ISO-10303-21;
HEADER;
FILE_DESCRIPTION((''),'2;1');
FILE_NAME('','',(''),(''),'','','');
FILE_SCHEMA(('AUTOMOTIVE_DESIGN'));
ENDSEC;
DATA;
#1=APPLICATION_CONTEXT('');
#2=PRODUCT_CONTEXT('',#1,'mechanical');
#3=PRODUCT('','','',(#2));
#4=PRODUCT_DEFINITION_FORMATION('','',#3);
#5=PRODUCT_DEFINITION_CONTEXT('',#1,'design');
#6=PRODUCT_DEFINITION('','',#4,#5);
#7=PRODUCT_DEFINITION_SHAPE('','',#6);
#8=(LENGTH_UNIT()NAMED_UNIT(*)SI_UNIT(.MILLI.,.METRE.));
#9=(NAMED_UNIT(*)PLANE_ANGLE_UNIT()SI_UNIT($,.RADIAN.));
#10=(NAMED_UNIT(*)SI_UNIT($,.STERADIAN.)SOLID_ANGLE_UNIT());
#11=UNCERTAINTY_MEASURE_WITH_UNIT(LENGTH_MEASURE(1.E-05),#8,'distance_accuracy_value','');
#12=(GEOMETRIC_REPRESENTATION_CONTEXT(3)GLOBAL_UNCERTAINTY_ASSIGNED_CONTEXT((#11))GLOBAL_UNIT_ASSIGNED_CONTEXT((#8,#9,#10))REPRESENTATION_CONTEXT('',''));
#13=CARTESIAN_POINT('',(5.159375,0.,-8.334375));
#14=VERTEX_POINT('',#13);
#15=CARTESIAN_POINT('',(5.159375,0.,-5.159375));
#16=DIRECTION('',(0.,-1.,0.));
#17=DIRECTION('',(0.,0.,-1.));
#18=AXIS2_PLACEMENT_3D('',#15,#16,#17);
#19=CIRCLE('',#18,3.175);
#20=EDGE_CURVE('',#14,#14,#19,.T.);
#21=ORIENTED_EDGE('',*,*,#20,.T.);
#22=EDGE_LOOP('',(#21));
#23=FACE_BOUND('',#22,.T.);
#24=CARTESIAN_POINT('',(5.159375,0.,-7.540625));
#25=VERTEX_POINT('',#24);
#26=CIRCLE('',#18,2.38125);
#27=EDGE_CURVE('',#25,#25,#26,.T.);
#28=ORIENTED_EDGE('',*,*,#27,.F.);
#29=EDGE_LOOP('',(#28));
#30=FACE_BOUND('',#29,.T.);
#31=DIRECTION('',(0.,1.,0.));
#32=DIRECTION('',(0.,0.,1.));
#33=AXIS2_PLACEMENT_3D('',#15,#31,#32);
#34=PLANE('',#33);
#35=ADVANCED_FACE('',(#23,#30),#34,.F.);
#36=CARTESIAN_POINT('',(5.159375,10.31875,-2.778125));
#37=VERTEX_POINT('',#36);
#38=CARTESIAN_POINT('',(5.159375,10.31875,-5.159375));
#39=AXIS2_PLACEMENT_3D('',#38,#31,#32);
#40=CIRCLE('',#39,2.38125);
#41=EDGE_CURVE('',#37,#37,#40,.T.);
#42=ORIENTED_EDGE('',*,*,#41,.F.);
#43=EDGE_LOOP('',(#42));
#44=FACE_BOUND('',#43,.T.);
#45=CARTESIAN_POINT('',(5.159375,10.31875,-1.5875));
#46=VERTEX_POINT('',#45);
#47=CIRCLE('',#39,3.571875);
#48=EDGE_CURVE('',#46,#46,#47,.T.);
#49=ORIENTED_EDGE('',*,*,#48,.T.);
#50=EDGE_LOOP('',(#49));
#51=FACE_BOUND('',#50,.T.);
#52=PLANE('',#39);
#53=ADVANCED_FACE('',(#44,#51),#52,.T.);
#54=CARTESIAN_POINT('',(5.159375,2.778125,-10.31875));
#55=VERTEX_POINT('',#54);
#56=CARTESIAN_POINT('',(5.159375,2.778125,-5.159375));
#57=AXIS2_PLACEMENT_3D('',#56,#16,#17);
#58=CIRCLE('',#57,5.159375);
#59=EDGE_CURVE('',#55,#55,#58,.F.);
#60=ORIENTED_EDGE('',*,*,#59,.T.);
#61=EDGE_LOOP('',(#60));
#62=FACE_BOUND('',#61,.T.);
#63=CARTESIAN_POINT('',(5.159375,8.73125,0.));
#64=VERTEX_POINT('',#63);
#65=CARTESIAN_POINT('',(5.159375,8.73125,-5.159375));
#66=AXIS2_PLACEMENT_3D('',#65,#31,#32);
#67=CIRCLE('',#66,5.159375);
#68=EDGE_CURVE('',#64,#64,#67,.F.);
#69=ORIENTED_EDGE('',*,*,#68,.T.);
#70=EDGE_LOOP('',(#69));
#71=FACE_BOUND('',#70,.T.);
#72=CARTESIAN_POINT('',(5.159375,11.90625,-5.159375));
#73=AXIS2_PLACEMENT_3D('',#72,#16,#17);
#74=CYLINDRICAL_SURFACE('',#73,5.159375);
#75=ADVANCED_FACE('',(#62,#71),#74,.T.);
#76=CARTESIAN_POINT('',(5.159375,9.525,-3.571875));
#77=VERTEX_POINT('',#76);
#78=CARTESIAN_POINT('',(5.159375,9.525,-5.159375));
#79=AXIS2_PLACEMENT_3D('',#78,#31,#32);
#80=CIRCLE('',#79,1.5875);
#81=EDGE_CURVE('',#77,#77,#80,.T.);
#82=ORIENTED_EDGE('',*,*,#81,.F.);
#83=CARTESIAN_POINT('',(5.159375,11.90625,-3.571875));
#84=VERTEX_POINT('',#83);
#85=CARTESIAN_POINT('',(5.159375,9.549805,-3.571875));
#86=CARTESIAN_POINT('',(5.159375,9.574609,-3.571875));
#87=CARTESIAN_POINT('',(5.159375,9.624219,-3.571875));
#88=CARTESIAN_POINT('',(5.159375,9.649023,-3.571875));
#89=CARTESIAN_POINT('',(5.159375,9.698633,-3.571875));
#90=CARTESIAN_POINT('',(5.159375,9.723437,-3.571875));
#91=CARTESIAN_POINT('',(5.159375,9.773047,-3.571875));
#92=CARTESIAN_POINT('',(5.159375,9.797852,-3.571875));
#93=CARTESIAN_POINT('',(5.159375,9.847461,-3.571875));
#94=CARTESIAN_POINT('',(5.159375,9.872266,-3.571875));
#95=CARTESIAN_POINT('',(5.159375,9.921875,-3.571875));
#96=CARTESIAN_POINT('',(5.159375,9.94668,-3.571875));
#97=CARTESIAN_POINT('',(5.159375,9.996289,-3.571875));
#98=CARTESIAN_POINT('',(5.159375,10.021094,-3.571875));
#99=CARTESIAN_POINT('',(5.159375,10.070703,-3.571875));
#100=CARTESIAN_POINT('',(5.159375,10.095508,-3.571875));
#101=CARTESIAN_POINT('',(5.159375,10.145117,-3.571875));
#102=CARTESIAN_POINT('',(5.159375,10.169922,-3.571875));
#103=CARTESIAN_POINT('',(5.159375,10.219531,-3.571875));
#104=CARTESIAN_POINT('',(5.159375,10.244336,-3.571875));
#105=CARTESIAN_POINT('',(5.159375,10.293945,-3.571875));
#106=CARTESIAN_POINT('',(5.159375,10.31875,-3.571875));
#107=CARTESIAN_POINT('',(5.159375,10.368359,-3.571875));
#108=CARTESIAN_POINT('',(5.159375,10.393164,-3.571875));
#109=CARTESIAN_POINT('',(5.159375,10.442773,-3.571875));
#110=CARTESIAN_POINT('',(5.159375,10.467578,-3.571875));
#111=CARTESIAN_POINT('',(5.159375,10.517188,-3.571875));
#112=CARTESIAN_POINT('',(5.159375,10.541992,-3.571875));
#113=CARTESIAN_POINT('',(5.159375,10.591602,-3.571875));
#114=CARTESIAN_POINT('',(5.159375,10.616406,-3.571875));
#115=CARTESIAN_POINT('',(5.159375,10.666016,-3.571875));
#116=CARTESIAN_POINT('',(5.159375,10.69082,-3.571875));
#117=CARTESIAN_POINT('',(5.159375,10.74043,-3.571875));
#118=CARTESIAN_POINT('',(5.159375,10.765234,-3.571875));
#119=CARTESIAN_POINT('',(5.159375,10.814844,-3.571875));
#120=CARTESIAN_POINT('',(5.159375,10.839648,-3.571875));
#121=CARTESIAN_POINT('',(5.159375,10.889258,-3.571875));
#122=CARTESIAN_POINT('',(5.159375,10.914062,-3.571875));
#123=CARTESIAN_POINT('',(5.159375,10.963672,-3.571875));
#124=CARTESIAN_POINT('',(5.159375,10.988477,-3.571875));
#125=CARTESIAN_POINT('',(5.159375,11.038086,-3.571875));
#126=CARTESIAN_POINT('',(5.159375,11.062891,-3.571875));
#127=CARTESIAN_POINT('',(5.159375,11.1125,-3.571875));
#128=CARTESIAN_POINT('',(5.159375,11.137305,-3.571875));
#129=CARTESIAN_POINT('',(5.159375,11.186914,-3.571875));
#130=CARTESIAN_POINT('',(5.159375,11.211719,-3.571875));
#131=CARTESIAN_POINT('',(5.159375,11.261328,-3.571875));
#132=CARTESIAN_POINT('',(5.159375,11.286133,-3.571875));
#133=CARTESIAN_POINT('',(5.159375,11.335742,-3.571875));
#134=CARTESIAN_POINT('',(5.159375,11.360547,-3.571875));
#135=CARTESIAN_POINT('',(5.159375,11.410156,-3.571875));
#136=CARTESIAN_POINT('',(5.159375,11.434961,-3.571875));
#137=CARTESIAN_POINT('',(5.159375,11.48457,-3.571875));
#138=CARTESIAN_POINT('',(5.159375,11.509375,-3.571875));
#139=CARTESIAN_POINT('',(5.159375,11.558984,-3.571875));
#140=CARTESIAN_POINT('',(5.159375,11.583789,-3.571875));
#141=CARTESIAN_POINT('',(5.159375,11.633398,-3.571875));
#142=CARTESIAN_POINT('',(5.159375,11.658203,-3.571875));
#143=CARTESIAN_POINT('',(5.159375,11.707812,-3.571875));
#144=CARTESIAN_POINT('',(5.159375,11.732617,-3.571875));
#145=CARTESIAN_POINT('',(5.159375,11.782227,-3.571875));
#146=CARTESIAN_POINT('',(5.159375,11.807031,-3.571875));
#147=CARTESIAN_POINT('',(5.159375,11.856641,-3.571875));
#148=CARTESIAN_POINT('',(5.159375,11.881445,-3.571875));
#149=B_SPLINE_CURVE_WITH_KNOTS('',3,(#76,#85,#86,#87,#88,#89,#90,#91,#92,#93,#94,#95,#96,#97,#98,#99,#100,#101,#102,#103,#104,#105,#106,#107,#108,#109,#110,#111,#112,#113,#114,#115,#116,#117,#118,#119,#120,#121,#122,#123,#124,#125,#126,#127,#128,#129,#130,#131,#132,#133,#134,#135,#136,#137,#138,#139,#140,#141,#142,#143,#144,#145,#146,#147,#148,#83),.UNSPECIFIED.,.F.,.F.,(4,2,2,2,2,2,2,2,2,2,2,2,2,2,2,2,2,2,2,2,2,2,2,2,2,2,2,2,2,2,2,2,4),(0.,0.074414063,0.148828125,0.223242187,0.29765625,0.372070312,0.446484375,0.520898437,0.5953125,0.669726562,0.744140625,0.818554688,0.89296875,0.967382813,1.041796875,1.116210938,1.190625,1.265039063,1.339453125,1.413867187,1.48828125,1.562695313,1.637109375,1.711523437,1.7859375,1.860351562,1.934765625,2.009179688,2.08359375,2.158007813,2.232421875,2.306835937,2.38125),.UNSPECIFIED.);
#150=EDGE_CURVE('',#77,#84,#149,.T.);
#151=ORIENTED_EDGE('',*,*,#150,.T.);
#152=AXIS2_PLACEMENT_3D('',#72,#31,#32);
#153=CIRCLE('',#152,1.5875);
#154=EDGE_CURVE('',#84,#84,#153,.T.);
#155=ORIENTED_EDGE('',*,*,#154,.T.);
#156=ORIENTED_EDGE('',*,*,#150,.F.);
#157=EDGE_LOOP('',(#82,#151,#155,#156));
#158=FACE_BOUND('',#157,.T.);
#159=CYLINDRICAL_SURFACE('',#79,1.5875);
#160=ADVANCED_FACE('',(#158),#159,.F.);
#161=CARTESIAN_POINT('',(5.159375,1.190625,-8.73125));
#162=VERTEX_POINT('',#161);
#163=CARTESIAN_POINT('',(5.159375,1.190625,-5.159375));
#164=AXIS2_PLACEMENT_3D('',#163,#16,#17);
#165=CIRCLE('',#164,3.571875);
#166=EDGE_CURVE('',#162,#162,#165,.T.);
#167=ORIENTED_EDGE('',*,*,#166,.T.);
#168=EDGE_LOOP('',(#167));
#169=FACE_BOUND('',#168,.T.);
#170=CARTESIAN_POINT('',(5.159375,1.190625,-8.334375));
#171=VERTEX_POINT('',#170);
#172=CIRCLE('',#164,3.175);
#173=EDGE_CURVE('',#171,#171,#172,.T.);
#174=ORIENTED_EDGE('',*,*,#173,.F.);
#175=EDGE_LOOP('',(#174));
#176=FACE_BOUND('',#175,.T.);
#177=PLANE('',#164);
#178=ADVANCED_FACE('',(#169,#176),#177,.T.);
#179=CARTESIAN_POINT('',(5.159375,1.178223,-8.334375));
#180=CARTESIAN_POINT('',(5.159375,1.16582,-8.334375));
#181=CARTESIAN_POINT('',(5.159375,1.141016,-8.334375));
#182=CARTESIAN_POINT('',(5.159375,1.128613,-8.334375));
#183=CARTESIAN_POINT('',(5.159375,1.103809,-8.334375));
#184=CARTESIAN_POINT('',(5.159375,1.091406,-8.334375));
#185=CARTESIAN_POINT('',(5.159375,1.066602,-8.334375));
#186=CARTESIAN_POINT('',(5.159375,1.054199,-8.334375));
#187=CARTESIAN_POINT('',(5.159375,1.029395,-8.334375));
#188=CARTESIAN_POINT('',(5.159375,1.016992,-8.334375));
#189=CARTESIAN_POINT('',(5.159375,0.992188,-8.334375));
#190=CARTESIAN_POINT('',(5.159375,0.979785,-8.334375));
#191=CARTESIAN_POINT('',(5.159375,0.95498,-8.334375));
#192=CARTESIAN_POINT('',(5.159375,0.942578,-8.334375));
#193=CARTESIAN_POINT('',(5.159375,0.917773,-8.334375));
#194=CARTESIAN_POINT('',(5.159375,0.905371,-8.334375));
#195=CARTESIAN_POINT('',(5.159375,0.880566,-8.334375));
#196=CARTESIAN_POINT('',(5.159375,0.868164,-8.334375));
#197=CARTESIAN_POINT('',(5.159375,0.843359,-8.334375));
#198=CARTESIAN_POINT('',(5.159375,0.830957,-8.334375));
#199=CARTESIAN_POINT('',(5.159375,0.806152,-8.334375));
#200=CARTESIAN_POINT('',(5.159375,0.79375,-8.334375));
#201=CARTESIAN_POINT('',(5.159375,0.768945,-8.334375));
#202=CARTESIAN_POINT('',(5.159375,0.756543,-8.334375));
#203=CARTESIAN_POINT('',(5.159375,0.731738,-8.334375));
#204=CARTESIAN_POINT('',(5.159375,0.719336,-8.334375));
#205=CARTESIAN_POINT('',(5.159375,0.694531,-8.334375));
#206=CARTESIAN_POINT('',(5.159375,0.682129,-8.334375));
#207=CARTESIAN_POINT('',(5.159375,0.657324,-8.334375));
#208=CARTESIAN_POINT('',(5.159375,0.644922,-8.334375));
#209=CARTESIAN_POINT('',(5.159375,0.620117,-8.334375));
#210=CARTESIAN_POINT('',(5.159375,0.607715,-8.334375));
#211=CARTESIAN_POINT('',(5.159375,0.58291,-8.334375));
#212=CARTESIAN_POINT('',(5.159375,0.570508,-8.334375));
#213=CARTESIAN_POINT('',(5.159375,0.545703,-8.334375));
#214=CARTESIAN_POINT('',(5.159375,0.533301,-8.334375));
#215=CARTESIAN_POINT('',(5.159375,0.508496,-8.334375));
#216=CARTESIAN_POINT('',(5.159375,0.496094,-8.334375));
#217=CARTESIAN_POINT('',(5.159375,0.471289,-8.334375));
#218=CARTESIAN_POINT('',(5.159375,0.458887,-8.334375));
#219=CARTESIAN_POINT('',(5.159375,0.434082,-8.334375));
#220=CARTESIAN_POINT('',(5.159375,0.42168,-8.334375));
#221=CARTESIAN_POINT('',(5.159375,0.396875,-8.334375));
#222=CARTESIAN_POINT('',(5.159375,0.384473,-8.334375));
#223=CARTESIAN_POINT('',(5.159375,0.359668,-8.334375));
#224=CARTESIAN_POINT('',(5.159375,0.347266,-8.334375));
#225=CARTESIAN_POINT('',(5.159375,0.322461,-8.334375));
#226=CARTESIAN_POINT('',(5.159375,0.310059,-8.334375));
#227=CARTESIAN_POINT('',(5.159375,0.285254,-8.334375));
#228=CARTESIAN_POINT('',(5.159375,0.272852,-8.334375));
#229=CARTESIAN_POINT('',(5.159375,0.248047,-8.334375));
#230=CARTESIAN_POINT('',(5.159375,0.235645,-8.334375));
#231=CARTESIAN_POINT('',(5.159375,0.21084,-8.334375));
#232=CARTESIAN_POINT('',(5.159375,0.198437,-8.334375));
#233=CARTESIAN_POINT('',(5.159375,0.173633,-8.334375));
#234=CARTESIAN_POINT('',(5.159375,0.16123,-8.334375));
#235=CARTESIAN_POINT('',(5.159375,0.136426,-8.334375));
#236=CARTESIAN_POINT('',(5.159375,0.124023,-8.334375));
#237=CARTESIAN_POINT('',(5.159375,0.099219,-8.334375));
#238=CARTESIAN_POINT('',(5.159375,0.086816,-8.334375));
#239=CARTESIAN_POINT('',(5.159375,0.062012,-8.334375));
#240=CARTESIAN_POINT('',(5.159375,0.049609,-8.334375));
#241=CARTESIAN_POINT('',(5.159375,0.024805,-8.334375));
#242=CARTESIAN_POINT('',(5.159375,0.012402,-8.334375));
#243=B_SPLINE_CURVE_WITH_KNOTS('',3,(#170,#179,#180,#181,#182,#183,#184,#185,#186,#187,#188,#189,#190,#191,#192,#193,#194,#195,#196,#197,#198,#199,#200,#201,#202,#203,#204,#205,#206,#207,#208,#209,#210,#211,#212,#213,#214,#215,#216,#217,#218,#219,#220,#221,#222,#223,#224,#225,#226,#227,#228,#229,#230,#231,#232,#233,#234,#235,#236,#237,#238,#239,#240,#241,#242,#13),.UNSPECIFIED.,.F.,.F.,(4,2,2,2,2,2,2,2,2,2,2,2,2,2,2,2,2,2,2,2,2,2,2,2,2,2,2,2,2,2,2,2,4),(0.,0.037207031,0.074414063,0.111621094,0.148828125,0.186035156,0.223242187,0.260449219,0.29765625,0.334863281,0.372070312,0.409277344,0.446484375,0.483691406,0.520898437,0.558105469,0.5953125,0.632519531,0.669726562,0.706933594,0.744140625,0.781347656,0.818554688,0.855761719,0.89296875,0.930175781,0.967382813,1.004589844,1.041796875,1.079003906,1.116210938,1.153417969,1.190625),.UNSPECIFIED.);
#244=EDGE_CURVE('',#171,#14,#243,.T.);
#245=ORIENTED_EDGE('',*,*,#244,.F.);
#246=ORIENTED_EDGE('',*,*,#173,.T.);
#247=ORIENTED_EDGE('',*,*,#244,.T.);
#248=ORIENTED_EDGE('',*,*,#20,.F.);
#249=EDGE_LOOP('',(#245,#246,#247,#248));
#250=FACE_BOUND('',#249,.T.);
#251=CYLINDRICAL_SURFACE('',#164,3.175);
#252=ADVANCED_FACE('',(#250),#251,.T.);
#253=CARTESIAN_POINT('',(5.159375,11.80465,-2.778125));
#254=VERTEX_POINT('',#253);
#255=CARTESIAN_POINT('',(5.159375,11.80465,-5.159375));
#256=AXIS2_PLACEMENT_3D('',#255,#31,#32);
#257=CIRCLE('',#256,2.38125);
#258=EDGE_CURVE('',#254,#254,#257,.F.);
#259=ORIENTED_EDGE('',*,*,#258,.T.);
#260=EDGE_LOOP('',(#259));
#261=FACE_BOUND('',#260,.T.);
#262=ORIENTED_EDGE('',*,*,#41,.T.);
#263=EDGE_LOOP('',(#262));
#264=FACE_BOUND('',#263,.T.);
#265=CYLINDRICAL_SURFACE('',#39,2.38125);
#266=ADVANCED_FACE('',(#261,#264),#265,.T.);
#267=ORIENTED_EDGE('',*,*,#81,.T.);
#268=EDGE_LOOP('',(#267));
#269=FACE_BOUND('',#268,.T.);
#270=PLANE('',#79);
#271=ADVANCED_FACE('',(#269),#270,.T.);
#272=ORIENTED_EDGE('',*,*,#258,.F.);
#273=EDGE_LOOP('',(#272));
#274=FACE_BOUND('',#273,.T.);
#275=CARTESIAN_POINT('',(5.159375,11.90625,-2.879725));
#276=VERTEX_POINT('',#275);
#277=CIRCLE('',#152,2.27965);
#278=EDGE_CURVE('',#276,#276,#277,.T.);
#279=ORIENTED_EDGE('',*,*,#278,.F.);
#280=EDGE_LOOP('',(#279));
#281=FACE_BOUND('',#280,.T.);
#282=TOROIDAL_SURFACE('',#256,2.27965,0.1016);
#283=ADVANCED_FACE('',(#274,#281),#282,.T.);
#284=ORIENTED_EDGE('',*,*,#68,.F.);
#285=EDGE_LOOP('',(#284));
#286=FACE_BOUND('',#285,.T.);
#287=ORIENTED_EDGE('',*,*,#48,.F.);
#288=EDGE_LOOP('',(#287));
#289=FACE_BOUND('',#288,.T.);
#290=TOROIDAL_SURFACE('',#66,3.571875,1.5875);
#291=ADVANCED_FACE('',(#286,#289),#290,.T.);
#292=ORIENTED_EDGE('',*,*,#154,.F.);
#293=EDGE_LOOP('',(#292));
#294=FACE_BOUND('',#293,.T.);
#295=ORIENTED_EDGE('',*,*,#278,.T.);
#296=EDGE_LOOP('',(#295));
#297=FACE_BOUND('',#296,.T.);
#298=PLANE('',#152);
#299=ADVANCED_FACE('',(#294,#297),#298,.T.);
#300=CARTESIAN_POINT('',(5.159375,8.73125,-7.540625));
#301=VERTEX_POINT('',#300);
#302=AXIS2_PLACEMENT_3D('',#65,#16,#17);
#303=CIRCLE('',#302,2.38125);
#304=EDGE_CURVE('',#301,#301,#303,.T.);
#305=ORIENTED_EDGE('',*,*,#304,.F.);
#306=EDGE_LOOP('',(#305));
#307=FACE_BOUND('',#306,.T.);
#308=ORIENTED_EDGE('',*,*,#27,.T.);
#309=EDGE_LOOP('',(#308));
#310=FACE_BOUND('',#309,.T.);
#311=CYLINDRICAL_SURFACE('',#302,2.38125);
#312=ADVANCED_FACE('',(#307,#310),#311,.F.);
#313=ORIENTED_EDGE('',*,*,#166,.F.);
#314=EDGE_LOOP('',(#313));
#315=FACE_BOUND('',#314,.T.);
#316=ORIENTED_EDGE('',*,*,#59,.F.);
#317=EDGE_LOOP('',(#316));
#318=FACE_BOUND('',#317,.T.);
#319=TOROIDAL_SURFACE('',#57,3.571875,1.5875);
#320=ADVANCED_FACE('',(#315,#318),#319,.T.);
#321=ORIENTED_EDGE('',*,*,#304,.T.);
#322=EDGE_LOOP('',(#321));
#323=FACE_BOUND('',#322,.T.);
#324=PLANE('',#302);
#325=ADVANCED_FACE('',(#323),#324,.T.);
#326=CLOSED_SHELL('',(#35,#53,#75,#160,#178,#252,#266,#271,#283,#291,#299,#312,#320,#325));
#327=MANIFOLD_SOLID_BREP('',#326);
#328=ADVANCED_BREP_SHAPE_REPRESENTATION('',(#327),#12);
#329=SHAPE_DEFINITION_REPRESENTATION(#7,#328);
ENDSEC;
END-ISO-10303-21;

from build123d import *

# Parameters (mm, degrees)
SKETCH2_R           = 5.159375
BOSS_EXTRUDE2_DEPTH = 11.90625
CUT_EXTRUDE1_START  = -1.5875
SKETCH3_R           = 5.159375
SKETCH3_R_2         = 2.38125
CUT_EXTRUDE1_DEPTH  = 1.5875
SKETCH4_R           = 5.159375
SKETCH4_R_2         = 3.175
CUT_EXTRUDE2_DEPTH  = 1.190625
SKETCH5_R           = 2.38125
CUT_EXTRUDE3_DEPTH  = 8.73125
SKETCH6_R           = 1.5875
CUT_EXTRUDE4_DEPTH  = 2.38125
FILLET1_R           = 1.5875
FILLET3_R           = 0.1016


with BuildPart() as part:
    # Sketch2 → Boss-Extrude2 (new body)
    with BuildSketch(Plane(origin=(0, 0, 0), x_dir=(1, 0, 0), z_dir=(0, 1, 0))):
        with Locations(Location((5.159375, 5.159375, 0), (0, 0, 270))):
            Circle(SKETCH2_R)
    extrude(amount=BOSS_EXTRUDE2_DEPTH)

    # Sketch3 → Cut-Extrude1 (cut)
    with BuildSketch(Plane(origin=(0, 11.90625, 0), x_dir=(1, 0, 0), z_dir=(0, 1, 0)).offset(CUT_EXTRUDE1_START)):
        with Locations(Location((5.159375, 5.159375, 0), (0, 0, 270))):
            Circle(SKETCH3_R)
        with Locations(Location((5.159375, 5.159375, 0), (0, 0, 270))):
            Circle(SKETCH3_R_2, mode=Mode.SUBTRACT)
    extrude(amount=CUT_EXTRUDE1_DEPTH, mode=Mode.SUBTRACT)

    # Sketch4 → Cut-Extrude2 (cut)
    with BuildSketch(Plane.XZ):
        with Locations(Location((5.159375, -5.159375, 0), (0, 0, 270))):
            Circle(SKETCH4_R)
        with Locations(Location((5.159375, -5.159375, 0), (0, 0, 270))):
            Circle(SKETCH4_R_2, mode=Mode.SUBTRACT)
    extrude(amount=-CUT_EXTRUDE2_DEPTH, mode=Mode.SUBTRACT)

    # Sketch5 → Cut-Extrude3 (cut)
    with BuildSketch(Plane.XZ):
        with Locations(Location((5.159375, -5.159375, 0), (0, 0, 90))):
            Circle(SKETCH5_R)
    extrude(amount=-CUT_EXTRUDE3_DEPTH, mode=Mode.SUBTRACT)

    # Sketch6 → Cut-Extrude4 (cut)
    with BuildSketch(Plane(origin=(0, 11.90625, 0), x_dir=(1, 0, 0), z_dir=(0, 1, 0))):
        with Locations(Location((5.159375, 5.159375, 0), (0, 0, 270))):
            Circle(SKETCH6_R)
    extrude(amount=-CUT_EXTRUDE4_DEPTH, mode=Mode.SUBTRACT)

    # Fillet1
    fillet1_edges = [part.edges().sort_by_distance(p)[0] for p in [
        (5.159375, 1.190625, -10.31875),
        (5.159375, 10.31875, -10.31875),
    ]]
    fillet(fillet1_edges, radius=FILLET1_R)

    # Fillet3
    fillet3_edges = [part.edges().sort_by_distance(p)[0] for p in [
        (5.159375, 11.90625, -7.540625),
    ]]
    fillet(fillet3_edges, radius=FILLET3_R)


solid = part.part
